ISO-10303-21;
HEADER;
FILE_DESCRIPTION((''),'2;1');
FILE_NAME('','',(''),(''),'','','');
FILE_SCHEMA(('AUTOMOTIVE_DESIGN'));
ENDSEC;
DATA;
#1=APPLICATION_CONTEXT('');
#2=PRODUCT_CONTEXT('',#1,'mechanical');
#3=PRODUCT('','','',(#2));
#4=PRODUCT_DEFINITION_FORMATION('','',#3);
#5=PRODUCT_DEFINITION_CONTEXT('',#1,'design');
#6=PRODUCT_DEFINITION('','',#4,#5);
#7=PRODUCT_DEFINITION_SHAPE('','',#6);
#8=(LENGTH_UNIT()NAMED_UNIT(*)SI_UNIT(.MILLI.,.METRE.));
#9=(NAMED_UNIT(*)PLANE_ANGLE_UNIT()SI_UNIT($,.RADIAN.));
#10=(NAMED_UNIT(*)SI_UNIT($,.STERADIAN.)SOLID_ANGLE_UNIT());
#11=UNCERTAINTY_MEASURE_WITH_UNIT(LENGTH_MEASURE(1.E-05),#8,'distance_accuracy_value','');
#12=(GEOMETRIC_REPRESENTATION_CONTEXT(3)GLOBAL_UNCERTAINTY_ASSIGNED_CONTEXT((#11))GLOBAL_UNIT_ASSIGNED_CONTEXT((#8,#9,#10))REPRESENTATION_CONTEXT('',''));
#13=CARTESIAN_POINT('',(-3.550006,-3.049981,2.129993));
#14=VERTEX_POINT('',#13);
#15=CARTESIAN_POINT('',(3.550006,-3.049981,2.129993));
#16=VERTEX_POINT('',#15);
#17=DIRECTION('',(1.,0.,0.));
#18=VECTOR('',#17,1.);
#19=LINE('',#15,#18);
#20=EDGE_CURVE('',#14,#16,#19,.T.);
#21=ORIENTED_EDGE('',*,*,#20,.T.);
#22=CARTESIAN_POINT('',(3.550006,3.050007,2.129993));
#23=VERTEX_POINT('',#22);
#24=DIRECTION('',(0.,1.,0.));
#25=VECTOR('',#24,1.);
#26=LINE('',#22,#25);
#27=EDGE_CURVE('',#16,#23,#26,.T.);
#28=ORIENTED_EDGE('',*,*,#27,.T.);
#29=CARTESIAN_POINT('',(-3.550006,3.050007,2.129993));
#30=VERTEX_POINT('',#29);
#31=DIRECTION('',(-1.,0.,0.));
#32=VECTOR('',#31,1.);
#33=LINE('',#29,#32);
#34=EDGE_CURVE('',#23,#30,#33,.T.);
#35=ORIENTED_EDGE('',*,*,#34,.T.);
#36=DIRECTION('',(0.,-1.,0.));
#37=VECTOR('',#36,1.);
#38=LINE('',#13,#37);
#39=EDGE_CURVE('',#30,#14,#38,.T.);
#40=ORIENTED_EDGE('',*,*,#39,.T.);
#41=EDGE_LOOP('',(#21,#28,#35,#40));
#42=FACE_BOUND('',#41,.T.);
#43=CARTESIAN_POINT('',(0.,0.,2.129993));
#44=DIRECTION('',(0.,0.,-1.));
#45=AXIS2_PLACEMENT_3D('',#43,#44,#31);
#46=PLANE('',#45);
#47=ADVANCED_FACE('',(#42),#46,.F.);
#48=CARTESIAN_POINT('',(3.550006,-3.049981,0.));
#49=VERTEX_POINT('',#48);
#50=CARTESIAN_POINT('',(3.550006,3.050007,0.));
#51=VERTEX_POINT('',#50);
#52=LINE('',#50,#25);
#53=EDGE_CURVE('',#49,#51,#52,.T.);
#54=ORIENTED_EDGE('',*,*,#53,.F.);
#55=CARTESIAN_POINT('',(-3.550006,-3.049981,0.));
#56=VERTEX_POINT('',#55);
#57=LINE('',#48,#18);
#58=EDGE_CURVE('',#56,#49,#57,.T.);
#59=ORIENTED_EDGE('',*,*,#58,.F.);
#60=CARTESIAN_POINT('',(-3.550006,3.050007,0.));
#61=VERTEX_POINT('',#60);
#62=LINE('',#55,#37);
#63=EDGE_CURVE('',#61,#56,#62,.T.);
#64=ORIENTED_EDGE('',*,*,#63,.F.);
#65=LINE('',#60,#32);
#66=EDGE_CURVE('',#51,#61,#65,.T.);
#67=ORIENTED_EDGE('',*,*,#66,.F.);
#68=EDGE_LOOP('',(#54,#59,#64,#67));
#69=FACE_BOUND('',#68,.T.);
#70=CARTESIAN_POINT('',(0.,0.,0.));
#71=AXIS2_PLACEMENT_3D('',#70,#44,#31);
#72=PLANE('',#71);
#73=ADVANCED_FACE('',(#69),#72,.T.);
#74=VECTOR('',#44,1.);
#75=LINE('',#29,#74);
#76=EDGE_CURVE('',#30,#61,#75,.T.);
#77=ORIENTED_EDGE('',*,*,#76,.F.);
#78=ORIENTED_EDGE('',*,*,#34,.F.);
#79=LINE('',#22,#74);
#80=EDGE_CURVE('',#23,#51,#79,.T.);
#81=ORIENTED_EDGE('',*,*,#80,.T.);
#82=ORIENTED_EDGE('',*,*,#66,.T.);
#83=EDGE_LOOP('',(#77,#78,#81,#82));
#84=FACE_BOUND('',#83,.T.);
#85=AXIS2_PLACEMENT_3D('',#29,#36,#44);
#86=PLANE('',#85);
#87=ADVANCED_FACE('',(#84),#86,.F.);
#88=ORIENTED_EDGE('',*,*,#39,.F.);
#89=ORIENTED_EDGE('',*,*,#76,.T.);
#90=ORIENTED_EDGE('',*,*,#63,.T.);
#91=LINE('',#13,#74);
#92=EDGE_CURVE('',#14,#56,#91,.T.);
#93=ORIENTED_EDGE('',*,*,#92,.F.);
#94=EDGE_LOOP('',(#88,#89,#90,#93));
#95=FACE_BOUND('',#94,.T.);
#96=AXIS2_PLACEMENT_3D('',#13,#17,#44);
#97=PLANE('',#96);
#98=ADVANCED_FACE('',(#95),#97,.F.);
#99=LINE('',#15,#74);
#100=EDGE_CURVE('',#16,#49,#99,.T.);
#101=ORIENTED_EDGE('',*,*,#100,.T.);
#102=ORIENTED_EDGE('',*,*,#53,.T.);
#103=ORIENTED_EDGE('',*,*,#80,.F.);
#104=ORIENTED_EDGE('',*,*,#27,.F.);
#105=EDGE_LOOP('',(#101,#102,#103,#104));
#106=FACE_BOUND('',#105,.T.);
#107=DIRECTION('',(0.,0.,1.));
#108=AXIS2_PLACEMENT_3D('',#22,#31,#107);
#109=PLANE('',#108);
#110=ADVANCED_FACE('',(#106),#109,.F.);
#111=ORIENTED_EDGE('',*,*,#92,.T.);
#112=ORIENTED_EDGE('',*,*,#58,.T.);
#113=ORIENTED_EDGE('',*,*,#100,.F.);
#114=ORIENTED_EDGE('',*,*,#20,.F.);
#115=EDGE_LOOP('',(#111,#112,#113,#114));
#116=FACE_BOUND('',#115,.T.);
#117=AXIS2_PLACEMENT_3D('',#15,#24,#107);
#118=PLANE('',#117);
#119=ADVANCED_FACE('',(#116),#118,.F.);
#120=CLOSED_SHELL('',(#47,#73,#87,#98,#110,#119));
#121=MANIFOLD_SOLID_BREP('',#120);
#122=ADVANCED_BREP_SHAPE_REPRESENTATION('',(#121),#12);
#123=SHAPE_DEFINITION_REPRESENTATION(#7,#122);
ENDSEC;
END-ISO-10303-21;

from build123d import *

# Parameters (mm, degrees)
SKETCH1_W               = 7.1000112
SKETCH1_H               = 6.0999878
COMPONENT_OUTLINE_DEPTH = 2.1299932


with BuildPart() as part:
    # Sketch1 → Component_Outline (new body)
    with BuildSketch(Plane.XY):
        with Locations((0, 1.27e-05)):
            Rectangle(SKETCH1_W, SKETCH1_H)
    extrude(amount=COMPONENT_OUTLINE_DEPTH)


solid = part.part
